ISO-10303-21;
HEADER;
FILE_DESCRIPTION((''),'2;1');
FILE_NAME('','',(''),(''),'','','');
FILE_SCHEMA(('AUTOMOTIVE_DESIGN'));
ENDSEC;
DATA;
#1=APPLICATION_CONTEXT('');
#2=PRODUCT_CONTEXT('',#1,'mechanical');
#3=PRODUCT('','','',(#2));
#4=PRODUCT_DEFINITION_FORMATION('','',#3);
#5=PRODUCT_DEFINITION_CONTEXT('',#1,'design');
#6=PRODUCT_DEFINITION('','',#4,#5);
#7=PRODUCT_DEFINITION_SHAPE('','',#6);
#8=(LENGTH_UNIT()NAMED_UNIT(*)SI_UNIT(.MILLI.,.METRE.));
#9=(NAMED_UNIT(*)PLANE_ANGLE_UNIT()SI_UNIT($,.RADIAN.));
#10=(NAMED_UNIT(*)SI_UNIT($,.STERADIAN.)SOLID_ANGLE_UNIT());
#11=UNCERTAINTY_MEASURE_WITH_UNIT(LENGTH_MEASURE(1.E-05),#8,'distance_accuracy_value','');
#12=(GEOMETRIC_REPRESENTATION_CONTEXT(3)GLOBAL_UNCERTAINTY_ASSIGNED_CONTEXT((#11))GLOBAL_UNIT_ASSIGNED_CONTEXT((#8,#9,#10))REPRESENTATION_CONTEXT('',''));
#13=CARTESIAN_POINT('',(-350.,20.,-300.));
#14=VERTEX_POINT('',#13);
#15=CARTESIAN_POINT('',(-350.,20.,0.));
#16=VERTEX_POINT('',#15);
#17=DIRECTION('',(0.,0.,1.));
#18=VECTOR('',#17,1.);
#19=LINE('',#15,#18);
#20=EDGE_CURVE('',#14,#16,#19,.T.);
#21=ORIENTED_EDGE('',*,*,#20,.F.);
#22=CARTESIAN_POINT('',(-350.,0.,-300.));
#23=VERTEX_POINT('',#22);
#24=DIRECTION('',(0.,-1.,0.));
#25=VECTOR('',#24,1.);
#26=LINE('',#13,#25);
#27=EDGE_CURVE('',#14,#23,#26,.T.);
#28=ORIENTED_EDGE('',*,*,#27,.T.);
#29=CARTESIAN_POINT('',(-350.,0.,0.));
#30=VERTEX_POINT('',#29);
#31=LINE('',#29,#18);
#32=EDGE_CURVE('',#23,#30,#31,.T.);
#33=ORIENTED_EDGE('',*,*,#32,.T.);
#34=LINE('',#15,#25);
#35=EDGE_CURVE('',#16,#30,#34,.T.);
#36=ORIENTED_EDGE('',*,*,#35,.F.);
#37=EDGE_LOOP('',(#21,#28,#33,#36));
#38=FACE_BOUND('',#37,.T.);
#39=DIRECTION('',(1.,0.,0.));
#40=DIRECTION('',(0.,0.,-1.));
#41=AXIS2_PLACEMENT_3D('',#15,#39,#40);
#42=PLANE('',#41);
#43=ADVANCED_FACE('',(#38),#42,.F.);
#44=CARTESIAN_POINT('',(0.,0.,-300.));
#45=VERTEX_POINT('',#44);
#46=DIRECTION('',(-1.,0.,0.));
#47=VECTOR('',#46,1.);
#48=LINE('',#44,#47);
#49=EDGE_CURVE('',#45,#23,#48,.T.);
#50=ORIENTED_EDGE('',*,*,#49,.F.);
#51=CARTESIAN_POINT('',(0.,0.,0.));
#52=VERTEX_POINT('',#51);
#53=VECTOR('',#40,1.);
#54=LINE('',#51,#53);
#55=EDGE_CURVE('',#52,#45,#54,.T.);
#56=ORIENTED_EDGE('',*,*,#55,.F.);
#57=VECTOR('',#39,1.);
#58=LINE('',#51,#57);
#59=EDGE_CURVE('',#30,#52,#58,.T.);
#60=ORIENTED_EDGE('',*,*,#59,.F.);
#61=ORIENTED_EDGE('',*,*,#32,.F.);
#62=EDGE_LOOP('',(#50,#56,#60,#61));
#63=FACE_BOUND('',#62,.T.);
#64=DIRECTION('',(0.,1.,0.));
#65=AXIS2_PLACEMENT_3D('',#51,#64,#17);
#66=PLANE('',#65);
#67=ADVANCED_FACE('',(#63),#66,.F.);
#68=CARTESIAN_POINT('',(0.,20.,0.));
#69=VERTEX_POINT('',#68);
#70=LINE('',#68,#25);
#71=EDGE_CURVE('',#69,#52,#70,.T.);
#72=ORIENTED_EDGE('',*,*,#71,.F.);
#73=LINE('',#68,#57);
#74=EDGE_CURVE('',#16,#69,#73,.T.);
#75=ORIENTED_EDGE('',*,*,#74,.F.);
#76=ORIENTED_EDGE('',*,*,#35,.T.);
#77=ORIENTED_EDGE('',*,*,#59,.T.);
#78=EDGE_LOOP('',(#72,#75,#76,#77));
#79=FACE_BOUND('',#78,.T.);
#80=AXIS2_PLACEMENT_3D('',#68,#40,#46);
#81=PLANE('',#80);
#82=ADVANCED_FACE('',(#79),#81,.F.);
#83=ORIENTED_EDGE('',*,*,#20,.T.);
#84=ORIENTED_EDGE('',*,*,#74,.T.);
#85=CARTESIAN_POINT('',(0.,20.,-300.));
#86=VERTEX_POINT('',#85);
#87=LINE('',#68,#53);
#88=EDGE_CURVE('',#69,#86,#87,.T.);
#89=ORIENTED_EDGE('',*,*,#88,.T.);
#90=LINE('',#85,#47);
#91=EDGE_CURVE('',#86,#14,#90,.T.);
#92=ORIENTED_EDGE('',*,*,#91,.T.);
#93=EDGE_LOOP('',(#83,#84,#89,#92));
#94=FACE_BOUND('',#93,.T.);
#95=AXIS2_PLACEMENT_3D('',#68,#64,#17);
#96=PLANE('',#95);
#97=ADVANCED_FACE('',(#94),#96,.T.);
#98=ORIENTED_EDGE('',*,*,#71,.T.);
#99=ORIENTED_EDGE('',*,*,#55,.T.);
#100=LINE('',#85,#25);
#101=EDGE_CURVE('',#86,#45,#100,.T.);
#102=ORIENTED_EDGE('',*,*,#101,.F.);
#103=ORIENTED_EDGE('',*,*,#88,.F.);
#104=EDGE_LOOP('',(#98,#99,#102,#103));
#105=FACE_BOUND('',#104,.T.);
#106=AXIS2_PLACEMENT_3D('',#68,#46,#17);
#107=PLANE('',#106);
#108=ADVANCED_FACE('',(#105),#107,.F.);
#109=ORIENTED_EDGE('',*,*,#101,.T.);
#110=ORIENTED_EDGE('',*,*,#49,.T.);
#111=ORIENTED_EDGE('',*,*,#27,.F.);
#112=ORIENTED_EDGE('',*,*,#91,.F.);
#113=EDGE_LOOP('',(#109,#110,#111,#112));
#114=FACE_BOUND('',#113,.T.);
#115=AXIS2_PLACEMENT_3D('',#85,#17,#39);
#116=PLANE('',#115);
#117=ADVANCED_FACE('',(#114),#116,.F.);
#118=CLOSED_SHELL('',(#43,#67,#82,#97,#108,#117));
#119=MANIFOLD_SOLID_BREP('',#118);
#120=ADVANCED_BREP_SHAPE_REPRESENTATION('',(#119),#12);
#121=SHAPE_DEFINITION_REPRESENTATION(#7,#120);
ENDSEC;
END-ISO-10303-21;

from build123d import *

# Parameters (mm, degrees)
SKETCH1_W           = 350
SKETCH1_H           = 300
BOSS_EXTRUDE1_DEPTH = 20


with BuildPart() as part:
    # Sketch1 → Boss-Extrude1 (new body)
    with BuildSketch(Plane(origin=(0, 0, 0), x_dir=(1, 0, 0), z_dir=(0, 1, 0))):
        with Locations((-175, 150)):
            Rectangle(SKETCH1_W, SKETCH1_H)
    extrude(amount=BOSS_EXTRUDE1_DEPTH)


solid = part.part
